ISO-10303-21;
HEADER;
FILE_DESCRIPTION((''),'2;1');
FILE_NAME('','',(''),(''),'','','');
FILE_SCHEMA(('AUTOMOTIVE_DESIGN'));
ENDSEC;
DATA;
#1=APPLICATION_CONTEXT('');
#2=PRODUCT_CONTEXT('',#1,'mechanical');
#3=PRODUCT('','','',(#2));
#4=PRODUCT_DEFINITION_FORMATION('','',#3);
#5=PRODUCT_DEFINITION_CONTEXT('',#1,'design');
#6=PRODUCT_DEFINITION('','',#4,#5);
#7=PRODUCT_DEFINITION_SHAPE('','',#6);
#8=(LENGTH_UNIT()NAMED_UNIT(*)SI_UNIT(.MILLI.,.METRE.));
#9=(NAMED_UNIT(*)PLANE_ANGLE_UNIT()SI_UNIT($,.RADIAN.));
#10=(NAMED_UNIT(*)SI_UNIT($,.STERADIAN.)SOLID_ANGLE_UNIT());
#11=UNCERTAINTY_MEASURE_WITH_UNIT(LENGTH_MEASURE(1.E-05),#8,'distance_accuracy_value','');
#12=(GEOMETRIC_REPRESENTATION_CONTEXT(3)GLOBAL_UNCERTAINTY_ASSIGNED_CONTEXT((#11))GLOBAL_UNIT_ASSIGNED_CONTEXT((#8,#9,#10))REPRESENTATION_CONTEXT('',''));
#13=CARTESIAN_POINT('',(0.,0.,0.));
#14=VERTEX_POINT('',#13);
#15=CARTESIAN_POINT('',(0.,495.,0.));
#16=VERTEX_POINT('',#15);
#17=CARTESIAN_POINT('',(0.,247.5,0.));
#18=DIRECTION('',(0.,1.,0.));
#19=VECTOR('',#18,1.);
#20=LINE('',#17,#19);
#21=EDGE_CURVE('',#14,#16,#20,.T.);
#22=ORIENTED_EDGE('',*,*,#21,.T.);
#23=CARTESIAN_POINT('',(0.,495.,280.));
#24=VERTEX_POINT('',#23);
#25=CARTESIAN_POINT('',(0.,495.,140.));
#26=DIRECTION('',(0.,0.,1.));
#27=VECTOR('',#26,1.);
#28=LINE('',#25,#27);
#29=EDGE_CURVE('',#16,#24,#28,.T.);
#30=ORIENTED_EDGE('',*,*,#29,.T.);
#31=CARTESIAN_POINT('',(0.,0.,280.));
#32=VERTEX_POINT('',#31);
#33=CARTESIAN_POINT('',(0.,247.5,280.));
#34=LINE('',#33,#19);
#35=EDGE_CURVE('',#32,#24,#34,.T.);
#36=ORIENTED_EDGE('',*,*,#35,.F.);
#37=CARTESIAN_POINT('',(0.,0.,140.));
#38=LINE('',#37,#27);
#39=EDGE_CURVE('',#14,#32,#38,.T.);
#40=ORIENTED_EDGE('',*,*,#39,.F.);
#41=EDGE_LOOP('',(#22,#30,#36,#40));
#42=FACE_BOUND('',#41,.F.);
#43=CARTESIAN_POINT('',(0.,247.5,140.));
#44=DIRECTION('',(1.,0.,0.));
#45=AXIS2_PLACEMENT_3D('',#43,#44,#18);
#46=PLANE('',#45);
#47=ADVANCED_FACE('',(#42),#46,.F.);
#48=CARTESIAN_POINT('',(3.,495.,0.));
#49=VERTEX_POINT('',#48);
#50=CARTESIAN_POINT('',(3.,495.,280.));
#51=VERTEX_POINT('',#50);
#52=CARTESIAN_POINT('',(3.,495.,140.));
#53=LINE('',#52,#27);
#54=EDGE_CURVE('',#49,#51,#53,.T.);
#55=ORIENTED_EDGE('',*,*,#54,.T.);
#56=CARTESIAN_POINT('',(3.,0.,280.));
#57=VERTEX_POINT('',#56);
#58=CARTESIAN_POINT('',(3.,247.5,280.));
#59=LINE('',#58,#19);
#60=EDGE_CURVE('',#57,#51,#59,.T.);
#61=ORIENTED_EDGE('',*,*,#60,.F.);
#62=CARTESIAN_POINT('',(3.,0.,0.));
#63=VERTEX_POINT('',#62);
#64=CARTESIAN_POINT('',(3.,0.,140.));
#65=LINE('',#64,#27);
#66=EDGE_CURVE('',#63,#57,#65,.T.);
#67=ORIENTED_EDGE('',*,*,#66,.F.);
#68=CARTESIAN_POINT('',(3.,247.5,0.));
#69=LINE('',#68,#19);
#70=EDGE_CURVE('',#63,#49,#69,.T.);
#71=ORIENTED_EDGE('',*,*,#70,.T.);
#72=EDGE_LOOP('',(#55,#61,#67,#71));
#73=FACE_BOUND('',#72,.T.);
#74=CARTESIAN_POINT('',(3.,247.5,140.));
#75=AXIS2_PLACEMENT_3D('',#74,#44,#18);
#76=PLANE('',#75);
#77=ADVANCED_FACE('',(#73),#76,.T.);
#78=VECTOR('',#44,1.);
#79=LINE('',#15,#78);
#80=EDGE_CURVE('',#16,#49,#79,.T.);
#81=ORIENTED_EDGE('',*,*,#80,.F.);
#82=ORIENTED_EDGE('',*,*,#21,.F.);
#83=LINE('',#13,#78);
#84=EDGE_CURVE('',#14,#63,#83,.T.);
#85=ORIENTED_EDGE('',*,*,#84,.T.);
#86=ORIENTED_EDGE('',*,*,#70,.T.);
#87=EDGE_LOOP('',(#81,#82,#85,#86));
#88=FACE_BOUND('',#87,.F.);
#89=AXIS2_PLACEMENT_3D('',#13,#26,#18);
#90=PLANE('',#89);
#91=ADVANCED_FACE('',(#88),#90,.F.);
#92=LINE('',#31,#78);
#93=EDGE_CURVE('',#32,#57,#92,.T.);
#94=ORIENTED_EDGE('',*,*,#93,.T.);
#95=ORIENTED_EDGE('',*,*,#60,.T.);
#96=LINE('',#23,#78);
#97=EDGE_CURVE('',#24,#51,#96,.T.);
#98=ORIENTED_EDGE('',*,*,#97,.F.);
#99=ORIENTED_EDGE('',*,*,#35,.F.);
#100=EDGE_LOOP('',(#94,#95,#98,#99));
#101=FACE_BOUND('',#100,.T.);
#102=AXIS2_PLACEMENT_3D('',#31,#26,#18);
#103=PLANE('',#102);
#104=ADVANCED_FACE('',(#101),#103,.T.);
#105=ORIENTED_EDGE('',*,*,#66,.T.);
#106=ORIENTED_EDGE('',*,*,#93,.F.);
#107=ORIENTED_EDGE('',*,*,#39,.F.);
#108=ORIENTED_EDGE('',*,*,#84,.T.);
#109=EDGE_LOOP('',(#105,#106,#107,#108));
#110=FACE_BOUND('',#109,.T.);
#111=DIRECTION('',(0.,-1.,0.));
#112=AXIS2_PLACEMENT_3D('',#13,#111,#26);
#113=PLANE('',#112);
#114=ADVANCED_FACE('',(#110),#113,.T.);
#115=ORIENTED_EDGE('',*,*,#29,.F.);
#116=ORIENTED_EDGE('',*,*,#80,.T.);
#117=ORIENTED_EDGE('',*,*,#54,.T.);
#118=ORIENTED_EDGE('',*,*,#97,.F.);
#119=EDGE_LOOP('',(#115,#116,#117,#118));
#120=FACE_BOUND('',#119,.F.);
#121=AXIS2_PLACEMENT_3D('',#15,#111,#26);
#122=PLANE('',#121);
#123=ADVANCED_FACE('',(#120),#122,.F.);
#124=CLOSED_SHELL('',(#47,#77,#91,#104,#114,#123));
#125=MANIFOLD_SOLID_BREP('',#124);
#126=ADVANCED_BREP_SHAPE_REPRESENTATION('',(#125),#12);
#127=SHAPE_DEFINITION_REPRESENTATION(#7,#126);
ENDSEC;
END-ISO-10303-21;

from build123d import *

# Parameters (mm, degrees)
SKETCH_W  = 495
SKETCH_H  = 280
PAD_DEPTH = 3


with BuildPart() as part:
    # Sketch → Pad (new body)
    with BuildSketch(Plane.YZ):
        with Locations((247.5, 140)):
            Rectangle(SKETCH_W, SKETCH_H)
    extrude(amount=PAD_DEPTH)


solid = part.part
